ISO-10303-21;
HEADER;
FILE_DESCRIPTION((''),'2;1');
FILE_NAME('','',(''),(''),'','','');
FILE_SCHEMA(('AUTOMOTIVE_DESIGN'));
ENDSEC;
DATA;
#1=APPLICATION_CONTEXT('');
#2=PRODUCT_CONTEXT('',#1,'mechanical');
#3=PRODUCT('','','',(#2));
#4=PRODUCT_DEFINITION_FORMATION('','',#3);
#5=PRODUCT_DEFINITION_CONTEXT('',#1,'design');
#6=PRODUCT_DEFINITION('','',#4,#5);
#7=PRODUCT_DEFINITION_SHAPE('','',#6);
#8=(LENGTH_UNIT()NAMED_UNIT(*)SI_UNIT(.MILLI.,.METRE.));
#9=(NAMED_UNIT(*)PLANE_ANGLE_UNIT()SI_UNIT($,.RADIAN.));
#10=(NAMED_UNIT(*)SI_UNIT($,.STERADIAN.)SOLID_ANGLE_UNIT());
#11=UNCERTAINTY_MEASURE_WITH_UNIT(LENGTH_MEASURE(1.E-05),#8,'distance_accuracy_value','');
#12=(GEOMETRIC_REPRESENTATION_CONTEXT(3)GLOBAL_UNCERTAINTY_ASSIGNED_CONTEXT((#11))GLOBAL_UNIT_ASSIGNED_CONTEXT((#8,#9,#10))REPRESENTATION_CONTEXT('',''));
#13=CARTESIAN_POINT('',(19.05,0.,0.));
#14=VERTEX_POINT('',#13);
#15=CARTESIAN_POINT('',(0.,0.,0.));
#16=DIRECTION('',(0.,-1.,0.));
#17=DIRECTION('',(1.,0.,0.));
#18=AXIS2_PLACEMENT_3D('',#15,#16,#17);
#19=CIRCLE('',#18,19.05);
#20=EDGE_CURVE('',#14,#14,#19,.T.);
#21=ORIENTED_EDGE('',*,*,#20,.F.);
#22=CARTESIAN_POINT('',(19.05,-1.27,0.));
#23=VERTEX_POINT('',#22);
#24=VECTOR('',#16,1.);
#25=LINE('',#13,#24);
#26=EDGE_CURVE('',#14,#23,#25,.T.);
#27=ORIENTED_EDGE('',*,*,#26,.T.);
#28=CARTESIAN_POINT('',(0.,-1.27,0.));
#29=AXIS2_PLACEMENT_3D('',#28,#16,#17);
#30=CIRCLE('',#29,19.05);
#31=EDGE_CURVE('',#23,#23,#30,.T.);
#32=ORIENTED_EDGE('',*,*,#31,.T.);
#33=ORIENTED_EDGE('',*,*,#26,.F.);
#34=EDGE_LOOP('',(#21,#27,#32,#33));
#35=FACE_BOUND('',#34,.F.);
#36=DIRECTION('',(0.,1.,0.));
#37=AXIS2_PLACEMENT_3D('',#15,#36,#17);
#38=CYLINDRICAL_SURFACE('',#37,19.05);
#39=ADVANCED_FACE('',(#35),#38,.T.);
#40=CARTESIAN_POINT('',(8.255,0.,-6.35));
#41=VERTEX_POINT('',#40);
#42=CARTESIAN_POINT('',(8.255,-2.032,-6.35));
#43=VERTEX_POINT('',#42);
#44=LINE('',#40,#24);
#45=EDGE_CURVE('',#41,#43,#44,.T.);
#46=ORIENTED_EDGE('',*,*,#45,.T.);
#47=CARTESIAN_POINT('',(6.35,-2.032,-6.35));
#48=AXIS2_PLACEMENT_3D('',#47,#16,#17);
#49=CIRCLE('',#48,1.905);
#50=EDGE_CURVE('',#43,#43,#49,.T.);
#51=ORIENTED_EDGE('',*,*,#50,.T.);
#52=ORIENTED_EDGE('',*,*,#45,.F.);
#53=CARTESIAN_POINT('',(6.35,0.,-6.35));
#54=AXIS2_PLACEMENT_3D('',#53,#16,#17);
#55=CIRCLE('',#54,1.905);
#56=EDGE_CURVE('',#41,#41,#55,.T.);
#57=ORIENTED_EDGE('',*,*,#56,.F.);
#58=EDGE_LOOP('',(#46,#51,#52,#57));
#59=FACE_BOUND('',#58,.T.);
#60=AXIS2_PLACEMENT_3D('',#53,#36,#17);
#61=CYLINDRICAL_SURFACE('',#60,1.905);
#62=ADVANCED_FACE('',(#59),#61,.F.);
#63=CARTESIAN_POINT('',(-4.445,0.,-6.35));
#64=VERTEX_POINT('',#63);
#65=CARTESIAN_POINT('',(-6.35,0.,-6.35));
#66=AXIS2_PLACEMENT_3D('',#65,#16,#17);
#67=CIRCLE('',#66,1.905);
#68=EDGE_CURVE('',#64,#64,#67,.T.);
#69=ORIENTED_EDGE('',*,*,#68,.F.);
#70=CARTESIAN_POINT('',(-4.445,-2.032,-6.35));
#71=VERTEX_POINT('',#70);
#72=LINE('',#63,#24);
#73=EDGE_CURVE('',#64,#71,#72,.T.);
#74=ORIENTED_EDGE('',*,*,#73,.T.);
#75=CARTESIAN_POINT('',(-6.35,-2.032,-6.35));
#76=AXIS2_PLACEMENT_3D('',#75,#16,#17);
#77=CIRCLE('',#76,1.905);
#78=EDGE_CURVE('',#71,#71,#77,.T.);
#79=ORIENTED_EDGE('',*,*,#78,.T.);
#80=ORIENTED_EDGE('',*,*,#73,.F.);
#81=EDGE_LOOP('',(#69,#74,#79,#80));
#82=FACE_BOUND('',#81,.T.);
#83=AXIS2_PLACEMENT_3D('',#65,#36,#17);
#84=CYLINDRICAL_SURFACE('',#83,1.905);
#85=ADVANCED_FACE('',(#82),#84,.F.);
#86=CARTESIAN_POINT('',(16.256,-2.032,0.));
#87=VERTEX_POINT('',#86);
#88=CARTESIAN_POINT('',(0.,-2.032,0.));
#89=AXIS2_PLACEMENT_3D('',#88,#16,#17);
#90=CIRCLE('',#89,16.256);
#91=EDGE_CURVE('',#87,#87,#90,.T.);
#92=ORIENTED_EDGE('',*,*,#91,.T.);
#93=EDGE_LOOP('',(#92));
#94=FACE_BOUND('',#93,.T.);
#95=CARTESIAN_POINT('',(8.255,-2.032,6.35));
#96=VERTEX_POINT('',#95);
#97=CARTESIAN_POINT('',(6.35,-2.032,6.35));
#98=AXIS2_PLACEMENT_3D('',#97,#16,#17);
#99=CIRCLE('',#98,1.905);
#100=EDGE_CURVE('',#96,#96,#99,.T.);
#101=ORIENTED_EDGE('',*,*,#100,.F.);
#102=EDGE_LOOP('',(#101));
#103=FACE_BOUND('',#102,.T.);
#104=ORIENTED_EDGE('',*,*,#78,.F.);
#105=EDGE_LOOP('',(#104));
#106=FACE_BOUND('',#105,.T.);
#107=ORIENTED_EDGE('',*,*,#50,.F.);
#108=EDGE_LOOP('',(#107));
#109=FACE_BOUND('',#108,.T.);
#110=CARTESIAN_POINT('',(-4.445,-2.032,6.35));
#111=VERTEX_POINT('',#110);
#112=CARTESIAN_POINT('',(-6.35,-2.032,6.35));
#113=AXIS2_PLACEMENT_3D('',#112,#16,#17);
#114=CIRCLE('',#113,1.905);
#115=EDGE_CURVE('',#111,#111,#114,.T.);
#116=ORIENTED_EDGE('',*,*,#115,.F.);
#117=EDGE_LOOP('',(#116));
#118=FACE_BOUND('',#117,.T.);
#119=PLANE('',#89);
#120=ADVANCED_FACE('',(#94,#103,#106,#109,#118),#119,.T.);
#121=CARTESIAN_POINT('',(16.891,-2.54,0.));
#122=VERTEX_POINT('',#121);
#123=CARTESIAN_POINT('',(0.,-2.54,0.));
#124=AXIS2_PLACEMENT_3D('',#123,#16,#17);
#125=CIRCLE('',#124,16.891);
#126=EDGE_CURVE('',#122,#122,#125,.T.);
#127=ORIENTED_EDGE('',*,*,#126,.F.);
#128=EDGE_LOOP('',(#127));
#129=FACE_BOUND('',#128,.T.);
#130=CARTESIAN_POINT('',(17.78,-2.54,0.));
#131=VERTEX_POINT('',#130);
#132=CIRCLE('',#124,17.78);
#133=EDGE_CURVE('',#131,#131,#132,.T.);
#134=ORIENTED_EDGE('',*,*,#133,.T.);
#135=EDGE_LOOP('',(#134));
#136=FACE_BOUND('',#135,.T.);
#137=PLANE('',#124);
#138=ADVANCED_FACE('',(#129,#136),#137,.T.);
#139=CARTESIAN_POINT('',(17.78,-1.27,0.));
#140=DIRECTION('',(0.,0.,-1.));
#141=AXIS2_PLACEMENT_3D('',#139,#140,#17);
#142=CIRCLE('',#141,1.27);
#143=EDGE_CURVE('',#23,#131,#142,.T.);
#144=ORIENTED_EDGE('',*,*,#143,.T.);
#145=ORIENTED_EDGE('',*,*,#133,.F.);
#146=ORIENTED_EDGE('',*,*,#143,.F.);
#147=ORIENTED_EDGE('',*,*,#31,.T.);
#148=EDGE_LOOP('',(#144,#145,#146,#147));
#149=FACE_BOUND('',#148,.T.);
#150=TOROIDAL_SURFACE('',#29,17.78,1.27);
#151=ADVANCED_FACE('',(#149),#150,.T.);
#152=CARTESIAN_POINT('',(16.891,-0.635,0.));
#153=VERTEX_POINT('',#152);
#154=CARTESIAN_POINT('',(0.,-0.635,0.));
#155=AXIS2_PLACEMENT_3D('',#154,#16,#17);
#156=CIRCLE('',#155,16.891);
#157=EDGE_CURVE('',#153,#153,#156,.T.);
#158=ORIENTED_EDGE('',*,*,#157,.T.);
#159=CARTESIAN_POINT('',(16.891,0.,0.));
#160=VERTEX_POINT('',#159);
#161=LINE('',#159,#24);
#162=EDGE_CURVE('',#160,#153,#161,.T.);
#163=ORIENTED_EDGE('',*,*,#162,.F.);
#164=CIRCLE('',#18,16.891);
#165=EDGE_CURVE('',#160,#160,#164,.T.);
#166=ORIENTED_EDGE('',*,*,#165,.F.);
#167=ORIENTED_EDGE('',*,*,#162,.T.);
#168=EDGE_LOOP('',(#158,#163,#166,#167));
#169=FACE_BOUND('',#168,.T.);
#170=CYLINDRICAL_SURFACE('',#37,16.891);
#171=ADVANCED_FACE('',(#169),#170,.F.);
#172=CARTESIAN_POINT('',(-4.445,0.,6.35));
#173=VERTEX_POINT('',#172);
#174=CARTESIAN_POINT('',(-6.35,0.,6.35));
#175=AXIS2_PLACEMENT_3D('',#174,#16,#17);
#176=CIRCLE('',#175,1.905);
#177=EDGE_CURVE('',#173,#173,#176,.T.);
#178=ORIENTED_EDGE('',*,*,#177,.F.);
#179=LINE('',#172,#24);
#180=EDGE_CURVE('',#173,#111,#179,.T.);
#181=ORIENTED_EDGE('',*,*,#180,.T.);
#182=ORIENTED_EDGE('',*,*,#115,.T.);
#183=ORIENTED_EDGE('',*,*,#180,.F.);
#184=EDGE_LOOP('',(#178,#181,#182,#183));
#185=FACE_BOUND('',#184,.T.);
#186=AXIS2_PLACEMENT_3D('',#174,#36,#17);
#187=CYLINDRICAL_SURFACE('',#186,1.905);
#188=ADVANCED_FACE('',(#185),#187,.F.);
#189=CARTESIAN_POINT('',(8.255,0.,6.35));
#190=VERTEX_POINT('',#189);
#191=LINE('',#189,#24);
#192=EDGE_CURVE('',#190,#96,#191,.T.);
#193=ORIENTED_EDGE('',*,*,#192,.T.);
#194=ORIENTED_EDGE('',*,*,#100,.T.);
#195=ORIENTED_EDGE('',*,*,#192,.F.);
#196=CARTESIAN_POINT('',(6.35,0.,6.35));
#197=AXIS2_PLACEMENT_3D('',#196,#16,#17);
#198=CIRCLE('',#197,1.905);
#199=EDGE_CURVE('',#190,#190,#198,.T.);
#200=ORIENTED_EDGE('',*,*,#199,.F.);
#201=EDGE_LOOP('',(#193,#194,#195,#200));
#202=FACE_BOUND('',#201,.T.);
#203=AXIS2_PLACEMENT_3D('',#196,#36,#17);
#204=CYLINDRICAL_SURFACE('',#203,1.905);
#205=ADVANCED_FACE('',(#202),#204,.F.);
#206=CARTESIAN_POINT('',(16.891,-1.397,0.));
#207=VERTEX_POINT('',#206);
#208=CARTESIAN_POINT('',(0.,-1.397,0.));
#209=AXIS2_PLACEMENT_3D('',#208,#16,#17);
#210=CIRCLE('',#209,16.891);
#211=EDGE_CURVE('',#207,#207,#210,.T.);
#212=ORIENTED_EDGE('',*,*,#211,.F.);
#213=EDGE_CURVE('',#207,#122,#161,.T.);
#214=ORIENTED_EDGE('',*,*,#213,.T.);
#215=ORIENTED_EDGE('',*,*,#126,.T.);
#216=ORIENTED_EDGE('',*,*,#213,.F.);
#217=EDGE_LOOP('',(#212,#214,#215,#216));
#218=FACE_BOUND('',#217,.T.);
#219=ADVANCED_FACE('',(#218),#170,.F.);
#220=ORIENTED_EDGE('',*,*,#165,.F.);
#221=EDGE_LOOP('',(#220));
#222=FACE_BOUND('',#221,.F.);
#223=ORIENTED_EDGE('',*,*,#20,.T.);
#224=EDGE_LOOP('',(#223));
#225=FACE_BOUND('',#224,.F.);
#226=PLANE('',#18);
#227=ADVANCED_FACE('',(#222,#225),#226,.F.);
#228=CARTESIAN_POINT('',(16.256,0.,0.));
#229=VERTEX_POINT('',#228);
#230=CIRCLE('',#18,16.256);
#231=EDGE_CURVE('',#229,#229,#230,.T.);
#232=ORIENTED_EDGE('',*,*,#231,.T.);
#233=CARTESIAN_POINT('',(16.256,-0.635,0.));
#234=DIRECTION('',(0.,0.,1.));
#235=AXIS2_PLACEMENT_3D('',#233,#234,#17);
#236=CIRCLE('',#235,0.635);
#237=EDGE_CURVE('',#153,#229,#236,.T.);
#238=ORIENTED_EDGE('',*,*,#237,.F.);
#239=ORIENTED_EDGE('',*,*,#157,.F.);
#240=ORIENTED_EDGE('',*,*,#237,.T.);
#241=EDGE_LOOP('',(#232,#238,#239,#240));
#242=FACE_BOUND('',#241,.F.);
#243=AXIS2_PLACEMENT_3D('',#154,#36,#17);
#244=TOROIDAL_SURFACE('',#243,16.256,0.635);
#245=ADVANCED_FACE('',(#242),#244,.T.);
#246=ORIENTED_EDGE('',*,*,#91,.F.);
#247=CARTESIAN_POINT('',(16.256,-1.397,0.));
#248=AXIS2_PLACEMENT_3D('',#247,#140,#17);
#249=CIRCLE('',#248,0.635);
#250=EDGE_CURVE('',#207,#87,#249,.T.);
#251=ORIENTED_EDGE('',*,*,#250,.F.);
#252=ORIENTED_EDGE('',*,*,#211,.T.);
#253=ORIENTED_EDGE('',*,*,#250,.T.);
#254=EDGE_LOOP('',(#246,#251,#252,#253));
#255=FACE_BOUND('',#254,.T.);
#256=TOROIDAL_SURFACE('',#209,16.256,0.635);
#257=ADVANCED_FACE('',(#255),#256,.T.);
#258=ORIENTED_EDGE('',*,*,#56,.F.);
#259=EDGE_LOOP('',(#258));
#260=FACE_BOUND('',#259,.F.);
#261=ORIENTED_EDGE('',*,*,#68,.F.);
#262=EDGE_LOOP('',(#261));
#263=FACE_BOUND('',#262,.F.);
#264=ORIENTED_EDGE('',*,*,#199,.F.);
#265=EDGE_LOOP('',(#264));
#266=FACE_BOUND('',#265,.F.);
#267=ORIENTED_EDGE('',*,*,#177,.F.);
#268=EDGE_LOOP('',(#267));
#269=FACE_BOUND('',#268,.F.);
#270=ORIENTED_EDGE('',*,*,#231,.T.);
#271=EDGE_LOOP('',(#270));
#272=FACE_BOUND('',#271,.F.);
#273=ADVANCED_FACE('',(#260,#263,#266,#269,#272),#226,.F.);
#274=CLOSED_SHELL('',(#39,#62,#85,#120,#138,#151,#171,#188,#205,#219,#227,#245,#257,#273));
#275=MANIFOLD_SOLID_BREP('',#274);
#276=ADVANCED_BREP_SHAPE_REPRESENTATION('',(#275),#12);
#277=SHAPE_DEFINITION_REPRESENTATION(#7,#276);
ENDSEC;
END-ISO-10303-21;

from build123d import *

# Parameters (mm, degrees)
F0_R     = 16.891
F0_R_2   = 1.905
F1_DEPTH = 2.032
F2_R     = 0.635
F0_R_3   = 19.05
F3_DEPTH = 2.54
F4_R     = 1.27


with BuildPart() as f1:
    # F0 (on Front) → F1 (new body)
    with BuildSketch(Plane.XZ):
        Circle(F0_R)
        with Locations((-6.35, -6.35)):
            Circle(F0_R_2, mode=Mode.SUBTRACT)
        with Locations((6.35, -6.35)):
            Circle(F0_R_2, mode=Mode.SUBTRACT)
        with Locations((-6.35, 6.35)):
            Circle(F0_R_2, mode=Mode.SUBTRACT)
        with Locations((6.35, 6.35)):
            Circle(F0_R_2, mode=Mode.SUBTRACT)
    extrude(amount=F1_DEPTH)

    # F2
    f2_edges = [f1.edges().sort_by_distance(p)[0] for p in [
        (-16.891, -2.032, 0),
        (-16.891, 0, 0),
    ]]
    fillet(f2_edges, radius=F2_R)

    # F0 (on Front) → F3 (join)
    with BuildSketch(Plane.XZ):
        Circle(F0_R_3)
        Circle(F0_R, mode=Mode.SUBTRACT)
    extrude(amount=F3_DEPTH)

    # F4
    f4_edges = [f1.edges().sort_by_distance(p)[0] for p in [
        (-19.05, -2.54, 0),
    ]]
    fillet(f4_edges, radius=F4_R)


solid = f1.part
